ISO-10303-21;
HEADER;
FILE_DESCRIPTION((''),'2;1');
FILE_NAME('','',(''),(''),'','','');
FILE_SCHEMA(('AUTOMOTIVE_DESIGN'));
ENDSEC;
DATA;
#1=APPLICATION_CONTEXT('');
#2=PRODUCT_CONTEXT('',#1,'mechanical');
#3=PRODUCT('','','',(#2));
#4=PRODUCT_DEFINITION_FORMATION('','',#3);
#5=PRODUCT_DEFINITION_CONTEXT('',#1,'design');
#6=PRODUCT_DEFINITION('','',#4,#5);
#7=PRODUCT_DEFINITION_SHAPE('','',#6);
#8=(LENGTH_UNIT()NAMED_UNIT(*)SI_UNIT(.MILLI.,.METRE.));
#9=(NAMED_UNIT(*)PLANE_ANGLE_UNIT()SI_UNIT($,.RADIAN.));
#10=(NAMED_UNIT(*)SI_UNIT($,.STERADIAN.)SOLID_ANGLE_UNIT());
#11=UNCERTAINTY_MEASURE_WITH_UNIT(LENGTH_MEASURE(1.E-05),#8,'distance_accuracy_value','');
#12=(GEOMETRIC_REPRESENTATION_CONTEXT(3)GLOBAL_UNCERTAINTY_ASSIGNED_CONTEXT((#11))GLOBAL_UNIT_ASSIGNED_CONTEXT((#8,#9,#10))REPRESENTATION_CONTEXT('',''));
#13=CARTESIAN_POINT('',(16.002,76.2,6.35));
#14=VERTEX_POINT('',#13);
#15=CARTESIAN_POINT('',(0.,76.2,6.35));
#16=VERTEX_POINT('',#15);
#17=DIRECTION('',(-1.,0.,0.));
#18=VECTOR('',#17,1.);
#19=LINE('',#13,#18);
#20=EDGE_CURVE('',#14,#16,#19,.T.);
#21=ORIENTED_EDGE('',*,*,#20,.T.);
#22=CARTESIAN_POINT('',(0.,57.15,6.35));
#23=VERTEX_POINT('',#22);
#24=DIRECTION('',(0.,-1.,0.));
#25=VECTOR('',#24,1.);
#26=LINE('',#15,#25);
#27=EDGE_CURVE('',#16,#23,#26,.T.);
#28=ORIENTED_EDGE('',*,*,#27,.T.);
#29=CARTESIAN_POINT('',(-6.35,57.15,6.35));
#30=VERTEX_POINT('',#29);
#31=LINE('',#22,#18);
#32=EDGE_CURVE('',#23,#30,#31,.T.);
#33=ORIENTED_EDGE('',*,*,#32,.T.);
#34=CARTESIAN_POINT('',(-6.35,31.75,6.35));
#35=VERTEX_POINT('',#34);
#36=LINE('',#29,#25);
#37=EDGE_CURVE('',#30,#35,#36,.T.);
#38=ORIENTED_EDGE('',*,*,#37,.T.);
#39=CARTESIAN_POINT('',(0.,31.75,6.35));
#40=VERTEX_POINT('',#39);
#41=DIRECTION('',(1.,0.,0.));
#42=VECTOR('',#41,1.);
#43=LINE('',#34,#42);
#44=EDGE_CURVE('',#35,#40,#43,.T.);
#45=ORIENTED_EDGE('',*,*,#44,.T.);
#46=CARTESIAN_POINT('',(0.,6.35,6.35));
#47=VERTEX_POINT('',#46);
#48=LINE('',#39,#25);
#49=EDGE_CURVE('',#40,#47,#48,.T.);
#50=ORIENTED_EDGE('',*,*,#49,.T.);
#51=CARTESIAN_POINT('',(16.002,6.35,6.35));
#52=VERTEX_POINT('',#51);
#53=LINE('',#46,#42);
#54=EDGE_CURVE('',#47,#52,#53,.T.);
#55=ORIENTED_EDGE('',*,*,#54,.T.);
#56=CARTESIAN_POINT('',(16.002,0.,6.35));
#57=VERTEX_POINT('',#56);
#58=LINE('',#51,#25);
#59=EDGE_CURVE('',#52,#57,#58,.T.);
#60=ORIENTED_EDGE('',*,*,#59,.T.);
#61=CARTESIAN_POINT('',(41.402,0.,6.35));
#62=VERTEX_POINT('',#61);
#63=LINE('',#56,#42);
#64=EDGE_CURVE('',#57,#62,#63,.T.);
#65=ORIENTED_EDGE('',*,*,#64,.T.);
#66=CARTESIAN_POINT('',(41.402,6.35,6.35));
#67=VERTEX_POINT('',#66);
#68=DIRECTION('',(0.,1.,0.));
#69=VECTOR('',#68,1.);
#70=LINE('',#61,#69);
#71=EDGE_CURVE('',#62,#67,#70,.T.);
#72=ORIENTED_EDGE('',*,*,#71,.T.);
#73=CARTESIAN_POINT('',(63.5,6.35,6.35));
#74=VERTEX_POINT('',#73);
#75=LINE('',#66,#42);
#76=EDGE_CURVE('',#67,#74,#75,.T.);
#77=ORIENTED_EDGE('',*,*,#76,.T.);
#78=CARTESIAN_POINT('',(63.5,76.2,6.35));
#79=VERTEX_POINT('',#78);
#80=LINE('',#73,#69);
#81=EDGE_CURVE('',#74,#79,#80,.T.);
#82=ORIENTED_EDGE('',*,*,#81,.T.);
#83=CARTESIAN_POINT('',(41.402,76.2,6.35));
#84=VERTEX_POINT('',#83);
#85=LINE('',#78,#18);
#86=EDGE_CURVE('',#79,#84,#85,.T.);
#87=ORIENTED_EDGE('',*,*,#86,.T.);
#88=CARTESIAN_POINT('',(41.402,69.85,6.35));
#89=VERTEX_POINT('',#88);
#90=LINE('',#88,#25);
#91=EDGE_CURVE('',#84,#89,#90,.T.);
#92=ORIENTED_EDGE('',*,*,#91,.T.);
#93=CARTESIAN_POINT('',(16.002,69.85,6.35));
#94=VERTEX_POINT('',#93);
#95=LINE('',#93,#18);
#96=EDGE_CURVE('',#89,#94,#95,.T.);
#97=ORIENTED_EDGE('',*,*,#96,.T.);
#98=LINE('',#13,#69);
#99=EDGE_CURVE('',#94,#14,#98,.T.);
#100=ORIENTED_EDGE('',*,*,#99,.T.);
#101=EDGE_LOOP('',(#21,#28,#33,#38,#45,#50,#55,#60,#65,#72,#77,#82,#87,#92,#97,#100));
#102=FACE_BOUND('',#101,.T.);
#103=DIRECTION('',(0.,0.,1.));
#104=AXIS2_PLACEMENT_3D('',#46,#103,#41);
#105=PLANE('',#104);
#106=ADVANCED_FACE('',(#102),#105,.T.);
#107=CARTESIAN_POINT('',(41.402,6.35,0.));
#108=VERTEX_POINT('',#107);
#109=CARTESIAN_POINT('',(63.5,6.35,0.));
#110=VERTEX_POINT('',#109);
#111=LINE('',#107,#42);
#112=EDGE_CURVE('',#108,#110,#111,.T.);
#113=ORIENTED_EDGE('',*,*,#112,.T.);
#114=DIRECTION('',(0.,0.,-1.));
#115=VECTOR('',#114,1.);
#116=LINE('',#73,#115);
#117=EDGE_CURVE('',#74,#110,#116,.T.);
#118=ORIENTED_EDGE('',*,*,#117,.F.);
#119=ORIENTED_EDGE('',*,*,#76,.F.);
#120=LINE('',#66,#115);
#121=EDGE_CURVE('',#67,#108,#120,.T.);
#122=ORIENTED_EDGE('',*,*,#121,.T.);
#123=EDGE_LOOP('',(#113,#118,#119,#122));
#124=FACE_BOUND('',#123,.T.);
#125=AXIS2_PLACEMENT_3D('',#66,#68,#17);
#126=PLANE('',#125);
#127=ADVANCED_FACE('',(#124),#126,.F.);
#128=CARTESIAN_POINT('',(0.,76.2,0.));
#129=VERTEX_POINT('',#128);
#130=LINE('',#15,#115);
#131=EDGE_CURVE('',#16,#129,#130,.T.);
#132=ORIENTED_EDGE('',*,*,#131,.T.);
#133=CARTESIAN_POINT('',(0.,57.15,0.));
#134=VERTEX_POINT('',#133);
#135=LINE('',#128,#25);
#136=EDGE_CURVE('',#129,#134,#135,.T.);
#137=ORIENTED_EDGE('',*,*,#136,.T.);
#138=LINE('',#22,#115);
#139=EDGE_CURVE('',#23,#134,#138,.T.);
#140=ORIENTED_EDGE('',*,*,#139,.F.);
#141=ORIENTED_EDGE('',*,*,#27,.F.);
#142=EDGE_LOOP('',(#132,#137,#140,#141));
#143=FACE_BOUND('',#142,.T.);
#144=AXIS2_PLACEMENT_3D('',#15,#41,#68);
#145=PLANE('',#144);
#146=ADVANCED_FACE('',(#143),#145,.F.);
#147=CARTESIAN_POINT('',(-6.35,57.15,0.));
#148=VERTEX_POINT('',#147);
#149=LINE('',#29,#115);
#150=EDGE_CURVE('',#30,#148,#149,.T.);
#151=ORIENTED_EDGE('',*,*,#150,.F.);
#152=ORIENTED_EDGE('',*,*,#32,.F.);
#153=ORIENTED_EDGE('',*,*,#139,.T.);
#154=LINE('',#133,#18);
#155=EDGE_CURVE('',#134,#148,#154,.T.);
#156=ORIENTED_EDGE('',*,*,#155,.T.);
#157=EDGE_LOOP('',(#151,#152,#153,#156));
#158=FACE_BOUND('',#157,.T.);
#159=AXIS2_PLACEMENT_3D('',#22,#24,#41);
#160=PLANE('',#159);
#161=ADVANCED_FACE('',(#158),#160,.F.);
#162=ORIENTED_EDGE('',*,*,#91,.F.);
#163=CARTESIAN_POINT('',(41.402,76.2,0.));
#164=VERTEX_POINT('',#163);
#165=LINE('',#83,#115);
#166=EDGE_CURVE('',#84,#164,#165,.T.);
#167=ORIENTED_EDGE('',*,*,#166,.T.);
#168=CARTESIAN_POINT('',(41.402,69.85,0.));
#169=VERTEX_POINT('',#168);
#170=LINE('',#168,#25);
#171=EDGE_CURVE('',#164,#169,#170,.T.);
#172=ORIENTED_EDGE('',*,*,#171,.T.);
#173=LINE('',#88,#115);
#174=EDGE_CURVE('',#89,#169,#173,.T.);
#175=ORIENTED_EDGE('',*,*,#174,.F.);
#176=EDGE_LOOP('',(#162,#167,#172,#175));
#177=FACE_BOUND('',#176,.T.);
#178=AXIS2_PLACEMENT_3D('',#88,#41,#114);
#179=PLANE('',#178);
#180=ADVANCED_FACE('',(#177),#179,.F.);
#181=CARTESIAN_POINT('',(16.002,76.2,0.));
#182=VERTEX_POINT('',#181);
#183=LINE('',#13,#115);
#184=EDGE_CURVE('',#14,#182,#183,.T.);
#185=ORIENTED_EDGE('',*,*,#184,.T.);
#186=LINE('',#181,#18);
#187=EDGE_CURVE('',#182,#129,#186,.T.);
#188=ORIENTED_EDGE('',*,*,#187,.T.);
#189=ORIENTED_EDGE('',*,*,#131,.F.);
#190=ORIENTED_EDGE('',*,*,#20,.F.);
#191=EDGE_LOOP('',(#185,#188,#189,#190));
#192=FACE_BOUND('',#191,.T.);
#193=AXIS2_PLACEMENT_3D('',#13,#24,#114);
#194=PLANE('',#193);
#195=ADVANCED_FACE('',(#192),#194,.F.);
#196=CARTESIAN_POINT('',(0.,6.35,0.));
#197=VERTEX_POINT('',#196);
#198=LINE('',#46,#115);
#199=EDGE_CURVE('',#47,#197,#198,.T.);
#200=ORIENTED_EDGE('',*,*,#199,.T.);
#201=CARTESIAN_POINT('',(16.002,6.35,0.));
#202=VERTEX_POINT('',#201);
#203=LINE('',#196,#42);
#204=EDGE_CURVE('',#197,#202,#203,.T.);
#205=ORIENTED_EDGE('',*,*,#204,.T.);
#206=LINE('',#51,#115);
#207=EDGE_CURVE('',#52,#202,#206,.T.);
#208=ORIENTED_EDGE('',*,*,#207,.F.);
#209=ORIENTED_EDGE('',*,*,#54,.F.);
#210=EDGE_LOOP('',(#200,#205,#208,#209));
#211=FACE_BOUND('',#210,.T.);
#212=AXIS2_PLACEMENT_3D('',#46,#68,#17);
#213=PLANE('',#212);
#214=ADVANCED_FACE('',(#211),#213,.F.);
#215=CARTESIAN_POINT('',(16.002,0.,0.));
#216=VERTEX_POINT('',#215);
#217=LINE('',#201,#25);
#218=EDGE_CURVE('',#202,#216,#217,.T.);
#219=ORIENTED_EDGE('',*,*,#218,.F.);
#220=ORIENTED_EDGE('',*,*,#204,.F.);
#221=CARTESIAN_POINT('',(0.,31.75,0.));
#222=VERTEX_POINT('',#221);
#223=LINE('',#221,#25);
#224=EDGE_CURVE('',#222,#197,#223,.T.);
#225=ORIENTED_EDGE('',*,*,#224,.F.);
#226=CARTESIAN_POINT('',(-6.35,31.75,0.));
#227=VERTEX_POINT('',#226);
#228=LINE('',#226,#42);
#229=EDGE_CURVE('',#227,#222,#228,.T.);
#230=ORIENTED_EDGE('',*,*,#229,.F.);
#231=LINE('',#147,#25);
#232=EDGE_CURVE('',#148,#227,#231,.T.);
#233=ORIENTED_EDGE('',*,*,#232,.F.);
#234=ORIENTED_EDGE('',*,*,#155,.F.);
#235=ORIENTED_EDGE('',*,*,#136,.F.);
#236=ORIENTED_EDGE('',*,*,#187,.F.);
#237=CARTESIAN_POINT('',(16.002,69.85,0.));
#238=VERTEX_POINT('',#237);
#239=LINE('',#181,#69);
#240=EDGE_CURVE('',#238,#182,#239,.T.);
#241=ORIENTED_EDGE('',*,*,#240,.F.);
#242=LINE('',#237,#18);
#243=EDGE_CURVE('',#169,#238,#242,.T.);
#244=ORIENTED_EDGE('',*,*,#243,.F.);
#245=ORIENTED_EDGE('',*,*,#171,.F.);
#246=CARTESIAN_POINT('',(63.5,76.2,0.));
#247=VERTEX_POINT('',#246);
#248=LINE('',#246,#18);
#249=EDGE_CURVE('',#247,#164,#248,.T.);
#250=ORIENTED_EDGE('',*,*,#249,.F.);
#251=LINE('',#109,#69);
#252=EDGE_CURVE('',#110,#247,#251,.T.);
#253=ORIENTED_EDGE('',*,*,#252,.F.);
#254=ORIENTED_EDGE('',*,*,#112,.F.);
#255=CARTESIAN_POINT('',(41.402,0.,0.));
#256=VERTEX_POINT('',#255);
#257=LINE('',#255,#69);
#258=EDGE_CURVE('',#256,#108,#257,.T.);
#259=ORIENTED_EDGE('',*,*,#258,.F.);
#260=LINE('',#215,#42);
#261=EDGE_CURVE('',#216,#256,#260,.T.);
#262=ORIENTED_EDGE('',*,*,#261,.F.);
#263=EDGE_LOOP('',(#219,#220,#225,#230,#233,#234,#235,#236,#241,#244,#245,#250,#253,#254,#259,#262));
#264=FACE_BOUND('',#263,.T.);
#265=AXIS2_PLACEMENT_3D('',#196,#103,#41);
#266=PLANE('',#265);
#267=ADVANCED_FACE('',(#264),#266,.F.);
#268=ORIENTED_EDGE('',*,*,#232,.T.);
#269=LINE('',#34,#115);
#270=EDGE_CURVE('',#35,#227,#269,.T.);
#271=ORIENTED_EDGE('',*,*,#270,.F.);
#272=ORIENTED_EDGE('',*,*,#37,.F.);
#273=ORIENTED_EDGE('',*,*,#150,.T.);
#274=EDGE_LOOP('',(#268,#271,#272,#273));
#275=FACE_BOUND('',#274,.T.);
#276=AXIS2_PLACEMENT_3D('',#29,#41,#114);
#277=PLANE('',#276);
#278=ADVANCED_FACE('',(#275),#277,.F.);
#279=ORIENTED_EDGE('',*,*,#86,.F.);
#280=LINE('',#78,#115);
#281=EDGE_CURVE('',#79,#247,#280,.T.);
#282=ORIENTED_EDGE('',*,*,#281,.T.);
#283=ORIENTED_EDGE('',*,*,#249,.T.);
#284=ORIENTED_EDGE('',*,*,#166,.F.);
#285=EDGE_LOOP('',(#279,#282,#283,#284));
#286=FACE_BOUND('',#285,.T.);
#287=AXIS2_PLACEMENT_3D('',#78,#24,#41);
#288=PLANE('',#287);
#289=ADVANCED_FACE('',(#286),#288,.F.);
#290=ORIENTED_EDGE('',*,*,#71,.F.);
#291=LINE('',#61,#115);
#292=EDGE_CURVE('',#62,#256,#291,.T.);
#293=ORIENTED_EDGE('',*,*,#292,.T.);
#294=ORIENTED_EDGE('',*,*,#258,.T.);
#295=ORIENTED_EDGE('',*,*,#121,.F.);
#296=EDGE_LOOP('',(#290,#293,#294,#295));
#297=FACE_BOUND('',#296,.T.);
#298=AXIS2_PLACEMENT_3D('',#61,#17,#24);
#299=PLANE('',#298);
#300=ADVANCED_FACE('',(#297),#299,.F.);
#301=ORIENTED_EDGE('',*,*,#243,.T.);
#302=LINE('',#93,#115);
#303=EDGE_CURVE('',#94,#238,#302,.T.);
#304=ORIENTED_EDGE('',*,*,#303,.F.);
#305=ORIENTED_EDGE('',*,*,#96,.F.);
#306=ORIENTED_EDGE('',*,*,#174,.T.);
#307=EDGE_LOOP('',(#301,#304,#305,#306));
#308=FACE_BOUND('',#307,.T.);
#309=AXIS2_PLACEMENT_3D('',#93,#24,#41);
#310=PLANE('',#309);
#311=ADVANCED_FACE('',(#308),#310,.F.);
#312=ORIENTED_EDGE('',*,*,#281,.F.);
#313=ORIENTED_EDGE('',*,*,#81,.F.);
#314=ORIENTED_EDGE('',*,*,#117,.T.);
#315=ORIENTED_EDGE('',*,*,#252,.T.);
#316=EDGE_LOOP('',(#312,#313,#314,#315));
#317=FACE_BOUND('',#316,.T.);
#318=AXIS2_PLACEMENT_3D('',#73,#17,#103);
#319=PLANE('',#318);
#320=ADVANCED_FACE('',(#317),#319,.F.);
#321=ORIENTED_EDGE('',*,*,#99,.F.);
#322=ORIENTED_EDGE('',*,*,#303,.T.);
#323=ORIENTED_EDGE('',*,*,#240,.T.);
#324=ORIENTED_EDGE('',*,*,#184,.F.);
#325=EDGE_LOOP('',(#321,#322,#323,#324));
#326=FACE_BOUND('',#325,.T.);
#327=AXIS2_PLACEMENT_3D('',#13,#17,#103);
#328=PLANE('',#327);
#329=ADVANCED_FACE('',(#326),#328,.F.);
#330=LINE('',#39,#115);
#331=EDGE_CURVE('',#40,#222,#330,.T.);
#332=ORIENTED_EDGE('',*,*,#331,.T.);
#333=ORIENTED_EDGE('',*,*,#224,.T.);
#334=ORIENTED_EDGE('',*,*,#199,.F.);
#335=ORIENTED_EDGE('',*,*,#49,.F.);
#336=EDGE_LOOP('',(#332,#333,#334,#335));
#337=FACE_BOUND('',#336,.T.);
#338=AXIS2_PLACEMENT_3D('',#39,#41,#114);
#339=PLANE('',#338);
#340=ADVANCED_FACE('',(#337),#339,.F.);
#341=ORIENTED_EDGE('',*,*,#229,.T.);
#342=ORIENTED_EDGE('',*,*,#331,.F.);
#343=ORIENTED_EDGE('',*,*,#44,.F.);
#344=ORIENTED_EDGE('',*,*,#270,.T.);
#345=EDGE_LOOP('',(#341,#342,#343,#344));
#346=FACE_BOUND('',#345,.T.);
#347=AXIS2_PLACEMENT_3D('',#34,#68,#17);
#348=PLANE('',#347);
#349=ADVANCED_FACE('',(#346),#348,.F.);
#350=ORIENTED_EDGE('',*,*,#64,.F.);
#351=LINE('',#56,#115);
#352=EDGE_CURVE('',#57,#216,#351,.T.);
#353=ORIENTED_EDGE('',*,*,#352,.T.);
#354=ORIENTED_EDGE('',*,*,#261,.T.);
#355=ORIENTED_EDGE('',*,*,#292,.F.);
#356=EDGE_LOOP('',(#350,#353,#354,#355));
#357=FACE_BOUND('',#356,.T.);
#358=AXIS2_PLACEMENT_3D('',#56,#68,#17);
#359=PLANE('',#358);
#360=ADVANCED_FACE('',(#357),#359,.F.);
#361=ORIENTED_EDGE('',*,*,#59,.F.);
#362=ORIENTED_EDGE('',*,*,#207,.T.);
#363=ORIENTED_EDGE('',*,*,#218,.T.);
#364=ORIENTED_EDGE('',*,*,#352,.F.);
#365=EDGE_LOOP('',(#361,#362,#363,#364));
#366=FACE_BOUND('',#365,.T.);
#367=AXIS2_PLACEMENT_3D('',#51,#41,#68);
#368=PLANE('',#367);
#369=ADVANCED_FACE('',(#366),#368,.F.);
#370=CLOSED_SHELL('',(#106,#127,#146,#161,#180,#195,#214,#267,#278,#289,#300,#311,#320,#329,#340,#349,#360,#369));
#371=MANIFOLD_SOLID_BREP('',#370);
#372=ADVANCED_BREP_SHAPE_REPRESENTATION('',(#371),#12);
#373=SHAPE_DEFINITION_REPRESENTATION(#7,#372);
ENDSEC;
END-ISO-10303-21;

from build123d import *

# Parameters (mm, degrees)
EXTRUDE1_DEPTH = 6.35


with BuildPart() as part:
    # Sketch1 → Extrude1 (new body)
    with BuildSketch(Plane.XY):
        Polygon((0, 6.35), (16.002, 6.35), (16.002, 0), (41.402, 0), (41.402, 6.35), (63.5, 6.35), (63.5, 76.2), (41.402, 76.2), (41.402, 69.85), (16.002, 69.85), (16.002, 76.2), (0, 76.2), (0, 57.15), (-6.35, 57.15), (-6.35, 31.75), (0, 31.75), align=None)
    extrude(amount=EXTRUDE1_DEPTH)


solid = part.part
